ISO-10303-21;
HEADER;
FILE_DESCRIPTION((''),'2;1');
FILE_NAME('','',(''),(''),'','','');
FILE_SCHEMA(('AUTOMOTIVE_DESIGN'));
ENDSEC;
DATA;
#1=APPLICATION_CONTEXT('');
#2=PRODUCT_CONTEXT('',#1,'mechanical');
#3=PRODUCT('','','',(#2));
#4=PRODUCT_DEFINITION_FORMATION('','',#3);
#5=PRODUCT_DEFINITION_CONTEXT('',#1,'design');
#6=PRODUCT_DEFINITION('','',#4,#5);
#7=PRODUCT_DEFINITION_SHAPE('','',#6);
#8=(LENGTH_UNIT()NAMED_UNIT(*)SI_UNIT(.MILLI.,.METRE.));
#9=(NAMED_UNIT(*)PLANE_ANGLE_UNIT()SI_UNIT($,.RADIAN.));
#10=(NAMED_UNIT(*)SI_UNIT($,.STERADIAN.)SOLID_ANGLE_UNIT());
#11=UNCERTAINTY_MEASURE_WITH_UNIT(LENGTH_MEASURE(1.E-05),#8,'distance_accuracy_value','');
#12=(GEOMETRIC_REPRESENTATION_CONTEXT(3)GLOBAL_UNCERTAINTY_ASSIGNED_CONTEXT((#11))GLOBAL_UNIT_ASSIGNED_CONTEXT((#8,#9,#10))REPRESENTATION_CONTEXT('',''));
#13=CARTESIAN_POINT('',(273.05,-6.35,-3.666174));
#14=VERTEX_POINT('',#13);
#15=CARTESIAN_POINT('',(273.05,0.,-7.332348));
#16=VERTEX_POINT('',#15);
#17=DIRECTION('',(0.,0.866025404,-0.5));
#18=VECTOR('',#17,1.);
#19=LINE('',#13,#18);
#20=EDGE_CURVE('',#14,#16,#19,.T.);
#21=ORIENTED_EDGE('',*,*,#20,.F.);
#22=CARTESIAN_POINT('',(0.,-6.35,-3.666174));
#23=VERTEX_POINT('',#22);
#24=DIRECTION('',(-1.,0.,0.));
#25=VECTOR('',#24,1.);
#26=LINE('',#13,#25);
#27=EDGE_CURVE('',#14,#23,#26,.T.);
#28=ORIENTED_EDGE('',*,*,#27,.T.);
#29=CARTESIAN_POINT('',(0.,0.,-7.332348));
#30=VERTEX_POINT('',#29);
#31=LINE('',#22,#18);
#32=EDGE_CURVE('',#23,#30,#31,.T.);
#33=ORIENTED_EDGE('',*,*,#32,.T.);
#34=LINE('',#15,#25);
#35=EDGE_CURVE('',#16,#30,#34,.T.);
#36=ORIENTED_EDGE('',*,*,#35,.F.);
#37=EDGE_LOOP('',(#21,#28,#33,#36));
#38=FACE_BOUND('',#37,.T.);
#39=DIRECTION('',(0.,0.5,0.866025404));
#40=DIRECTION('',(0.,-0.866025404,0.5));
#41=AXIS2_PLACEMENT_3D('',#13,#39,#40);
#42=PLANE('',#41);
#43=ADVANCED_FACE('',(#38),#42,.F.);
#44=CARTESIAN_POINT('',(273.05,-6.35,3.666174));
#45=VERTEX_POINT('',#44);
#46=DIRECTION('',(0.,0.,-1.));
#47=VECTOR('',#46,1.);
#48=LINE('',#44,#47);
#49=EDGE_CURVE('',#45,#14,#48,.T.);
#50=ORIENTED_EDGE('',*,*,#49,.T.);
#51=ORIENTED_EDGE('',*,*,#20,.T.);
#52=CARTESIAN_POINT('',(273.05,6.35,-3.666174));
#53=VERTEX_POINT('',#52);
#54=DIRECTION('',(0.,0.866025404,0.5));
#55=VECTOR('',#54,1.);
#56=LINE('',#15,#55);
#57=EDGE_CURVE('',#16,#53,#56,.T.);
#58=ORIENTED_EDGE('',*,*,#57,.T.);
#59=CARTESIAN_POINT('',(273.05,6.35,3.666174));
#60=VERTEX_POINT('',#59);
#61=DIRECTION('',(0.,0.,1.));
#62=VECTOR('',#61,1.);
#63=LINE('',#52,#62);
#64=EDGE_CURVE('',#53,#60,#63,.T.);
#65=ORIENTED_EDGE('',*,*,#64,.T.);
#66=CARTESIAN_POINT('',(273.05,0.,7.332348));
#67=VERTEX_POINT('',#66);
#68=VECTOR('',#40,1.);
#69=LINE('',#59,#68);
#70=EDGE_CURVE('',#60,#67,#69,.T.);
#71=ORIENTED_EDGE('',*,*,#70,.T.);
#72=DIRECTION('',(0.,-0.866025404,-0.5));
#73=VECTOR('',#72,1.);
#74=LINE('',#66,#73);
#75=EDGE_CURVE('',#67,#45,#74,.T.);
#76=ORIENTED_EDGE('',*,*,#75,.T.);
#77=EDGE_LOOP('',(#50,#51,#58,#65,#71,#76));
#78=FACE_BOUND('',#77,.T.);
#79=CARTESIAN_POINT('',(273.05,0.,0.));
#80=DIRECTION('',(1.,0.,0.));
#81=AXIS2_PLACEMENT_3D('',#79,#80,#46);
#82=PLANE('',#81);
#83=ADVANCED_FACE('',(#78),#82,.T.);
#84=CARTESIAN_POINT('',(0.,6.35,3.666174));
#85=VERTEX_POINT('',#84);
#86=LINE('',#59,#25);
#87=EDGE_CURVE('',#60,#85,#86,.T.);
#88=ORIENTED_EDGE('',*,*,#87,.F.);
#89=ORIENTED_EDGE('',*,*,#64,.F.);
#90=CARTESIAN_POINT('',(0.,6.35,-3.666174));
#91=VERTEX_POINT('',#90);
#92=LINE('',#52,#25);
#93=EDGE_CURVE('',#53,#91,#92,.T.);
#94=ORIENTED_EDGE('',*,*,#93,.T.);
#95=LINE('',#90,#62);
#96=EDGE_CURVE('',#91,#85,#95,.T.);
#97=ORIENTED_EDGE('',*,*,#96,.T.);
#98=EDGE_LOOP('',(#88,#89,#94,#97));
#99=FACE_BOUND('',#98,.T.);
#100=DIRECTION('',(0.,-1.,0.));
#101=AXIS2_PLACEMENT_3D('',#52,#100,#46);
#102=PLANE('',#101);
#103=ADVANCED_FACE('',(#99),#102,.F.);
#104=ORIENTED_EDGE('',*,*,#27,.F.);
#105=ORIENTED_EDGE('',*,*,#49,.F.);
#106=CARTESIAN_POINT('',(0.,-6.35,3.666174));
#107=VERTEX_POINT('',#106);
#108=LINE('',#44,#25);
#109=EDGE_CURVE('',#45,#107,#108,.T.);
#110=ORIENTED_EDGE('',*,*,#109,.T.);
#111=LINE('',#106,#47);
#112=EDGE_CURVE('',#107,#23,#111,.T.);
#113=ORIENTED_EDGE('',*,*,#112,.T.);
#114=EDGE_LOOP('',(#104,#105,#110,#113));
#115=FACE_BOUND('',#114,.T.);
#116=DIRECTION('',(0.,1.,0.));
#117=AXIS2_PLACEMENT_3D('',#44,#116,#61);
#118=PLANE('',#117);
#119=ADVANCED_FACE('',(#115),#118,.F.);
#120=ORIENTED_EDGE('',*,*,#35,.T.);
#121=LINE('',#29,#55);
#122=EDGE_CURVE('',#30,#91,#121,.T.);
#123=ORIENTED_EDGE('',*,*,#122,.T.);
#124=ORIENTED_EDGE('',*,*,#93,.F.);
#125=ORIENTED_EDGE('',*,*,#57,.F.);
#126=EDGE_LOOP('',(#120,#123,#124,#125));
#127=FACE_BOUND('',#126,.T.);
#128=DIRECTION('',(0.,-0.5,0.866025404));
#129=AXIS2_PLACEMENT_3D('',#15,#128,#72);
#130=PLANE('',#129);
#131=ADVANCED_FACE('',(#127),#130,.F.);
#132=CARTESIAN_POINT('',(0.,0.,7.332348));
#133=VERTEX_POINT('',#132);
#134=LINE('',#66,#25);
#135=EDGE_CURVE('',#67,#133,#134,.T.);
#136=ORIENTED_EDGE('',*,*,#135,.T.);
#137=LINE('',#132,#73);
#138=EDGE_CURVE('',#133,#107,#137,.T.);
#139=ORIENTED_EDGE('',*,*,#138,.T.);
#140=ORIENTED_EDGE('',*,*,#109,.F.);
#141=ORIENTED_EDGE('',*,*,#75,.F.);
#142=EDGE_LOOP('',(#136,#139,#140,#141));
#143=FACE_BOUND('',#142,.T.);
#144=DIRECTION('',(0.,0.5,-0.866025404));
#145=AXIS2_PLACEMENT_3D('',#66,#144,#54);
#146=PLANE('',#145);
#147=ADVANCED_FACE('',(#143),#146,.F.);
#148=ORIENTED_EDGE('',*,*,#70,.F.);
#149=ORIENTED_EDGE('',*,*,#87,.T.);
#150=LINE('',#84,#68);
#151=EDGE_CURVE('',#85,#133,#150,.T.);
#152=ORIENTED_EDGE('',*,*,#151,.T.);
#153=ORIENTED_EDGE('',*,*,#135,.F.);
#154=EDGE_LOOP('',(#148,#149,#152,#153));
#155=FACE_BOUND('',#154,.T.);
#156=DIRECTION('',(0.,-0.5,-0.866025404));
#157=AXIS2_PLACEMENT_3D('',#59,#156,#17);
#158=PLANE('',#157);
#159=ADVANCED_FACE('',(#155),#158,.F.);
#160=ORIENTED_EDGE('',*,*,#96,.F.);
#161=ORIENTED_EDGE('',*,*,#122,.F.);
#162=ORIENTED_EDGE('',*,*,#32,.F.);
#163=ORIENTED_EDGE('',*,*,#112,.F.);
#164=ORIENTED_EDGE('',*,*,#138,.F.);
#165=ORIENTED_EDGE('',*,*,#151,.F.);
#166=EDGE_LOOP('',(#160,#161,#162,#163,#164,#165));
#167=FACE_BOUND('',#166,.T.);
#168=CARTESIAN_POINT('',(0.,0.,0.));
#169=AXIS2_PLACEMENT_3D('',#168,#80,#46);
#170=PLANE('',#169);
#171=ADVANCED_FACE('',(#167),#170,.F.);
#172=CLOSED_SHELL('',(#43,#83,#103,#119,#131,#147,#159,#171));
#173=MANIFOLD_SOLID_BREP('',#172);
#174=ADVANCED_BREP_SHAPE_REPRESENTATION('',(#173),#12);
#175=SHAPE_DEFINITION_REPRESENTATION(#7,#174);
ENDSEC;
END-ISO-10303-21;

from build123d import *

# Parameters (mm, degrees)
BOSS_EXTRUDE1_DEPTH = 273.05


with BuildPart() as part:
    # Sketch1 → Boss-Extrude1 (new body)
    with BuildSketch(Plane(origin=(0, 0, 0), x_dir=(0, 0, -1), z_dir=(1, 0, 0))):
        Polygon((7.332348419, 0), (3.666174209, 6.35), (-3.666174209, 6.35), (-7.332348419, 0), (-3.666174209, -6.35), (3.666174209, -6.35), align=None)
    extrude(amount=BOSS_EXTRUDE1_DEPTH)


solid = part.part
